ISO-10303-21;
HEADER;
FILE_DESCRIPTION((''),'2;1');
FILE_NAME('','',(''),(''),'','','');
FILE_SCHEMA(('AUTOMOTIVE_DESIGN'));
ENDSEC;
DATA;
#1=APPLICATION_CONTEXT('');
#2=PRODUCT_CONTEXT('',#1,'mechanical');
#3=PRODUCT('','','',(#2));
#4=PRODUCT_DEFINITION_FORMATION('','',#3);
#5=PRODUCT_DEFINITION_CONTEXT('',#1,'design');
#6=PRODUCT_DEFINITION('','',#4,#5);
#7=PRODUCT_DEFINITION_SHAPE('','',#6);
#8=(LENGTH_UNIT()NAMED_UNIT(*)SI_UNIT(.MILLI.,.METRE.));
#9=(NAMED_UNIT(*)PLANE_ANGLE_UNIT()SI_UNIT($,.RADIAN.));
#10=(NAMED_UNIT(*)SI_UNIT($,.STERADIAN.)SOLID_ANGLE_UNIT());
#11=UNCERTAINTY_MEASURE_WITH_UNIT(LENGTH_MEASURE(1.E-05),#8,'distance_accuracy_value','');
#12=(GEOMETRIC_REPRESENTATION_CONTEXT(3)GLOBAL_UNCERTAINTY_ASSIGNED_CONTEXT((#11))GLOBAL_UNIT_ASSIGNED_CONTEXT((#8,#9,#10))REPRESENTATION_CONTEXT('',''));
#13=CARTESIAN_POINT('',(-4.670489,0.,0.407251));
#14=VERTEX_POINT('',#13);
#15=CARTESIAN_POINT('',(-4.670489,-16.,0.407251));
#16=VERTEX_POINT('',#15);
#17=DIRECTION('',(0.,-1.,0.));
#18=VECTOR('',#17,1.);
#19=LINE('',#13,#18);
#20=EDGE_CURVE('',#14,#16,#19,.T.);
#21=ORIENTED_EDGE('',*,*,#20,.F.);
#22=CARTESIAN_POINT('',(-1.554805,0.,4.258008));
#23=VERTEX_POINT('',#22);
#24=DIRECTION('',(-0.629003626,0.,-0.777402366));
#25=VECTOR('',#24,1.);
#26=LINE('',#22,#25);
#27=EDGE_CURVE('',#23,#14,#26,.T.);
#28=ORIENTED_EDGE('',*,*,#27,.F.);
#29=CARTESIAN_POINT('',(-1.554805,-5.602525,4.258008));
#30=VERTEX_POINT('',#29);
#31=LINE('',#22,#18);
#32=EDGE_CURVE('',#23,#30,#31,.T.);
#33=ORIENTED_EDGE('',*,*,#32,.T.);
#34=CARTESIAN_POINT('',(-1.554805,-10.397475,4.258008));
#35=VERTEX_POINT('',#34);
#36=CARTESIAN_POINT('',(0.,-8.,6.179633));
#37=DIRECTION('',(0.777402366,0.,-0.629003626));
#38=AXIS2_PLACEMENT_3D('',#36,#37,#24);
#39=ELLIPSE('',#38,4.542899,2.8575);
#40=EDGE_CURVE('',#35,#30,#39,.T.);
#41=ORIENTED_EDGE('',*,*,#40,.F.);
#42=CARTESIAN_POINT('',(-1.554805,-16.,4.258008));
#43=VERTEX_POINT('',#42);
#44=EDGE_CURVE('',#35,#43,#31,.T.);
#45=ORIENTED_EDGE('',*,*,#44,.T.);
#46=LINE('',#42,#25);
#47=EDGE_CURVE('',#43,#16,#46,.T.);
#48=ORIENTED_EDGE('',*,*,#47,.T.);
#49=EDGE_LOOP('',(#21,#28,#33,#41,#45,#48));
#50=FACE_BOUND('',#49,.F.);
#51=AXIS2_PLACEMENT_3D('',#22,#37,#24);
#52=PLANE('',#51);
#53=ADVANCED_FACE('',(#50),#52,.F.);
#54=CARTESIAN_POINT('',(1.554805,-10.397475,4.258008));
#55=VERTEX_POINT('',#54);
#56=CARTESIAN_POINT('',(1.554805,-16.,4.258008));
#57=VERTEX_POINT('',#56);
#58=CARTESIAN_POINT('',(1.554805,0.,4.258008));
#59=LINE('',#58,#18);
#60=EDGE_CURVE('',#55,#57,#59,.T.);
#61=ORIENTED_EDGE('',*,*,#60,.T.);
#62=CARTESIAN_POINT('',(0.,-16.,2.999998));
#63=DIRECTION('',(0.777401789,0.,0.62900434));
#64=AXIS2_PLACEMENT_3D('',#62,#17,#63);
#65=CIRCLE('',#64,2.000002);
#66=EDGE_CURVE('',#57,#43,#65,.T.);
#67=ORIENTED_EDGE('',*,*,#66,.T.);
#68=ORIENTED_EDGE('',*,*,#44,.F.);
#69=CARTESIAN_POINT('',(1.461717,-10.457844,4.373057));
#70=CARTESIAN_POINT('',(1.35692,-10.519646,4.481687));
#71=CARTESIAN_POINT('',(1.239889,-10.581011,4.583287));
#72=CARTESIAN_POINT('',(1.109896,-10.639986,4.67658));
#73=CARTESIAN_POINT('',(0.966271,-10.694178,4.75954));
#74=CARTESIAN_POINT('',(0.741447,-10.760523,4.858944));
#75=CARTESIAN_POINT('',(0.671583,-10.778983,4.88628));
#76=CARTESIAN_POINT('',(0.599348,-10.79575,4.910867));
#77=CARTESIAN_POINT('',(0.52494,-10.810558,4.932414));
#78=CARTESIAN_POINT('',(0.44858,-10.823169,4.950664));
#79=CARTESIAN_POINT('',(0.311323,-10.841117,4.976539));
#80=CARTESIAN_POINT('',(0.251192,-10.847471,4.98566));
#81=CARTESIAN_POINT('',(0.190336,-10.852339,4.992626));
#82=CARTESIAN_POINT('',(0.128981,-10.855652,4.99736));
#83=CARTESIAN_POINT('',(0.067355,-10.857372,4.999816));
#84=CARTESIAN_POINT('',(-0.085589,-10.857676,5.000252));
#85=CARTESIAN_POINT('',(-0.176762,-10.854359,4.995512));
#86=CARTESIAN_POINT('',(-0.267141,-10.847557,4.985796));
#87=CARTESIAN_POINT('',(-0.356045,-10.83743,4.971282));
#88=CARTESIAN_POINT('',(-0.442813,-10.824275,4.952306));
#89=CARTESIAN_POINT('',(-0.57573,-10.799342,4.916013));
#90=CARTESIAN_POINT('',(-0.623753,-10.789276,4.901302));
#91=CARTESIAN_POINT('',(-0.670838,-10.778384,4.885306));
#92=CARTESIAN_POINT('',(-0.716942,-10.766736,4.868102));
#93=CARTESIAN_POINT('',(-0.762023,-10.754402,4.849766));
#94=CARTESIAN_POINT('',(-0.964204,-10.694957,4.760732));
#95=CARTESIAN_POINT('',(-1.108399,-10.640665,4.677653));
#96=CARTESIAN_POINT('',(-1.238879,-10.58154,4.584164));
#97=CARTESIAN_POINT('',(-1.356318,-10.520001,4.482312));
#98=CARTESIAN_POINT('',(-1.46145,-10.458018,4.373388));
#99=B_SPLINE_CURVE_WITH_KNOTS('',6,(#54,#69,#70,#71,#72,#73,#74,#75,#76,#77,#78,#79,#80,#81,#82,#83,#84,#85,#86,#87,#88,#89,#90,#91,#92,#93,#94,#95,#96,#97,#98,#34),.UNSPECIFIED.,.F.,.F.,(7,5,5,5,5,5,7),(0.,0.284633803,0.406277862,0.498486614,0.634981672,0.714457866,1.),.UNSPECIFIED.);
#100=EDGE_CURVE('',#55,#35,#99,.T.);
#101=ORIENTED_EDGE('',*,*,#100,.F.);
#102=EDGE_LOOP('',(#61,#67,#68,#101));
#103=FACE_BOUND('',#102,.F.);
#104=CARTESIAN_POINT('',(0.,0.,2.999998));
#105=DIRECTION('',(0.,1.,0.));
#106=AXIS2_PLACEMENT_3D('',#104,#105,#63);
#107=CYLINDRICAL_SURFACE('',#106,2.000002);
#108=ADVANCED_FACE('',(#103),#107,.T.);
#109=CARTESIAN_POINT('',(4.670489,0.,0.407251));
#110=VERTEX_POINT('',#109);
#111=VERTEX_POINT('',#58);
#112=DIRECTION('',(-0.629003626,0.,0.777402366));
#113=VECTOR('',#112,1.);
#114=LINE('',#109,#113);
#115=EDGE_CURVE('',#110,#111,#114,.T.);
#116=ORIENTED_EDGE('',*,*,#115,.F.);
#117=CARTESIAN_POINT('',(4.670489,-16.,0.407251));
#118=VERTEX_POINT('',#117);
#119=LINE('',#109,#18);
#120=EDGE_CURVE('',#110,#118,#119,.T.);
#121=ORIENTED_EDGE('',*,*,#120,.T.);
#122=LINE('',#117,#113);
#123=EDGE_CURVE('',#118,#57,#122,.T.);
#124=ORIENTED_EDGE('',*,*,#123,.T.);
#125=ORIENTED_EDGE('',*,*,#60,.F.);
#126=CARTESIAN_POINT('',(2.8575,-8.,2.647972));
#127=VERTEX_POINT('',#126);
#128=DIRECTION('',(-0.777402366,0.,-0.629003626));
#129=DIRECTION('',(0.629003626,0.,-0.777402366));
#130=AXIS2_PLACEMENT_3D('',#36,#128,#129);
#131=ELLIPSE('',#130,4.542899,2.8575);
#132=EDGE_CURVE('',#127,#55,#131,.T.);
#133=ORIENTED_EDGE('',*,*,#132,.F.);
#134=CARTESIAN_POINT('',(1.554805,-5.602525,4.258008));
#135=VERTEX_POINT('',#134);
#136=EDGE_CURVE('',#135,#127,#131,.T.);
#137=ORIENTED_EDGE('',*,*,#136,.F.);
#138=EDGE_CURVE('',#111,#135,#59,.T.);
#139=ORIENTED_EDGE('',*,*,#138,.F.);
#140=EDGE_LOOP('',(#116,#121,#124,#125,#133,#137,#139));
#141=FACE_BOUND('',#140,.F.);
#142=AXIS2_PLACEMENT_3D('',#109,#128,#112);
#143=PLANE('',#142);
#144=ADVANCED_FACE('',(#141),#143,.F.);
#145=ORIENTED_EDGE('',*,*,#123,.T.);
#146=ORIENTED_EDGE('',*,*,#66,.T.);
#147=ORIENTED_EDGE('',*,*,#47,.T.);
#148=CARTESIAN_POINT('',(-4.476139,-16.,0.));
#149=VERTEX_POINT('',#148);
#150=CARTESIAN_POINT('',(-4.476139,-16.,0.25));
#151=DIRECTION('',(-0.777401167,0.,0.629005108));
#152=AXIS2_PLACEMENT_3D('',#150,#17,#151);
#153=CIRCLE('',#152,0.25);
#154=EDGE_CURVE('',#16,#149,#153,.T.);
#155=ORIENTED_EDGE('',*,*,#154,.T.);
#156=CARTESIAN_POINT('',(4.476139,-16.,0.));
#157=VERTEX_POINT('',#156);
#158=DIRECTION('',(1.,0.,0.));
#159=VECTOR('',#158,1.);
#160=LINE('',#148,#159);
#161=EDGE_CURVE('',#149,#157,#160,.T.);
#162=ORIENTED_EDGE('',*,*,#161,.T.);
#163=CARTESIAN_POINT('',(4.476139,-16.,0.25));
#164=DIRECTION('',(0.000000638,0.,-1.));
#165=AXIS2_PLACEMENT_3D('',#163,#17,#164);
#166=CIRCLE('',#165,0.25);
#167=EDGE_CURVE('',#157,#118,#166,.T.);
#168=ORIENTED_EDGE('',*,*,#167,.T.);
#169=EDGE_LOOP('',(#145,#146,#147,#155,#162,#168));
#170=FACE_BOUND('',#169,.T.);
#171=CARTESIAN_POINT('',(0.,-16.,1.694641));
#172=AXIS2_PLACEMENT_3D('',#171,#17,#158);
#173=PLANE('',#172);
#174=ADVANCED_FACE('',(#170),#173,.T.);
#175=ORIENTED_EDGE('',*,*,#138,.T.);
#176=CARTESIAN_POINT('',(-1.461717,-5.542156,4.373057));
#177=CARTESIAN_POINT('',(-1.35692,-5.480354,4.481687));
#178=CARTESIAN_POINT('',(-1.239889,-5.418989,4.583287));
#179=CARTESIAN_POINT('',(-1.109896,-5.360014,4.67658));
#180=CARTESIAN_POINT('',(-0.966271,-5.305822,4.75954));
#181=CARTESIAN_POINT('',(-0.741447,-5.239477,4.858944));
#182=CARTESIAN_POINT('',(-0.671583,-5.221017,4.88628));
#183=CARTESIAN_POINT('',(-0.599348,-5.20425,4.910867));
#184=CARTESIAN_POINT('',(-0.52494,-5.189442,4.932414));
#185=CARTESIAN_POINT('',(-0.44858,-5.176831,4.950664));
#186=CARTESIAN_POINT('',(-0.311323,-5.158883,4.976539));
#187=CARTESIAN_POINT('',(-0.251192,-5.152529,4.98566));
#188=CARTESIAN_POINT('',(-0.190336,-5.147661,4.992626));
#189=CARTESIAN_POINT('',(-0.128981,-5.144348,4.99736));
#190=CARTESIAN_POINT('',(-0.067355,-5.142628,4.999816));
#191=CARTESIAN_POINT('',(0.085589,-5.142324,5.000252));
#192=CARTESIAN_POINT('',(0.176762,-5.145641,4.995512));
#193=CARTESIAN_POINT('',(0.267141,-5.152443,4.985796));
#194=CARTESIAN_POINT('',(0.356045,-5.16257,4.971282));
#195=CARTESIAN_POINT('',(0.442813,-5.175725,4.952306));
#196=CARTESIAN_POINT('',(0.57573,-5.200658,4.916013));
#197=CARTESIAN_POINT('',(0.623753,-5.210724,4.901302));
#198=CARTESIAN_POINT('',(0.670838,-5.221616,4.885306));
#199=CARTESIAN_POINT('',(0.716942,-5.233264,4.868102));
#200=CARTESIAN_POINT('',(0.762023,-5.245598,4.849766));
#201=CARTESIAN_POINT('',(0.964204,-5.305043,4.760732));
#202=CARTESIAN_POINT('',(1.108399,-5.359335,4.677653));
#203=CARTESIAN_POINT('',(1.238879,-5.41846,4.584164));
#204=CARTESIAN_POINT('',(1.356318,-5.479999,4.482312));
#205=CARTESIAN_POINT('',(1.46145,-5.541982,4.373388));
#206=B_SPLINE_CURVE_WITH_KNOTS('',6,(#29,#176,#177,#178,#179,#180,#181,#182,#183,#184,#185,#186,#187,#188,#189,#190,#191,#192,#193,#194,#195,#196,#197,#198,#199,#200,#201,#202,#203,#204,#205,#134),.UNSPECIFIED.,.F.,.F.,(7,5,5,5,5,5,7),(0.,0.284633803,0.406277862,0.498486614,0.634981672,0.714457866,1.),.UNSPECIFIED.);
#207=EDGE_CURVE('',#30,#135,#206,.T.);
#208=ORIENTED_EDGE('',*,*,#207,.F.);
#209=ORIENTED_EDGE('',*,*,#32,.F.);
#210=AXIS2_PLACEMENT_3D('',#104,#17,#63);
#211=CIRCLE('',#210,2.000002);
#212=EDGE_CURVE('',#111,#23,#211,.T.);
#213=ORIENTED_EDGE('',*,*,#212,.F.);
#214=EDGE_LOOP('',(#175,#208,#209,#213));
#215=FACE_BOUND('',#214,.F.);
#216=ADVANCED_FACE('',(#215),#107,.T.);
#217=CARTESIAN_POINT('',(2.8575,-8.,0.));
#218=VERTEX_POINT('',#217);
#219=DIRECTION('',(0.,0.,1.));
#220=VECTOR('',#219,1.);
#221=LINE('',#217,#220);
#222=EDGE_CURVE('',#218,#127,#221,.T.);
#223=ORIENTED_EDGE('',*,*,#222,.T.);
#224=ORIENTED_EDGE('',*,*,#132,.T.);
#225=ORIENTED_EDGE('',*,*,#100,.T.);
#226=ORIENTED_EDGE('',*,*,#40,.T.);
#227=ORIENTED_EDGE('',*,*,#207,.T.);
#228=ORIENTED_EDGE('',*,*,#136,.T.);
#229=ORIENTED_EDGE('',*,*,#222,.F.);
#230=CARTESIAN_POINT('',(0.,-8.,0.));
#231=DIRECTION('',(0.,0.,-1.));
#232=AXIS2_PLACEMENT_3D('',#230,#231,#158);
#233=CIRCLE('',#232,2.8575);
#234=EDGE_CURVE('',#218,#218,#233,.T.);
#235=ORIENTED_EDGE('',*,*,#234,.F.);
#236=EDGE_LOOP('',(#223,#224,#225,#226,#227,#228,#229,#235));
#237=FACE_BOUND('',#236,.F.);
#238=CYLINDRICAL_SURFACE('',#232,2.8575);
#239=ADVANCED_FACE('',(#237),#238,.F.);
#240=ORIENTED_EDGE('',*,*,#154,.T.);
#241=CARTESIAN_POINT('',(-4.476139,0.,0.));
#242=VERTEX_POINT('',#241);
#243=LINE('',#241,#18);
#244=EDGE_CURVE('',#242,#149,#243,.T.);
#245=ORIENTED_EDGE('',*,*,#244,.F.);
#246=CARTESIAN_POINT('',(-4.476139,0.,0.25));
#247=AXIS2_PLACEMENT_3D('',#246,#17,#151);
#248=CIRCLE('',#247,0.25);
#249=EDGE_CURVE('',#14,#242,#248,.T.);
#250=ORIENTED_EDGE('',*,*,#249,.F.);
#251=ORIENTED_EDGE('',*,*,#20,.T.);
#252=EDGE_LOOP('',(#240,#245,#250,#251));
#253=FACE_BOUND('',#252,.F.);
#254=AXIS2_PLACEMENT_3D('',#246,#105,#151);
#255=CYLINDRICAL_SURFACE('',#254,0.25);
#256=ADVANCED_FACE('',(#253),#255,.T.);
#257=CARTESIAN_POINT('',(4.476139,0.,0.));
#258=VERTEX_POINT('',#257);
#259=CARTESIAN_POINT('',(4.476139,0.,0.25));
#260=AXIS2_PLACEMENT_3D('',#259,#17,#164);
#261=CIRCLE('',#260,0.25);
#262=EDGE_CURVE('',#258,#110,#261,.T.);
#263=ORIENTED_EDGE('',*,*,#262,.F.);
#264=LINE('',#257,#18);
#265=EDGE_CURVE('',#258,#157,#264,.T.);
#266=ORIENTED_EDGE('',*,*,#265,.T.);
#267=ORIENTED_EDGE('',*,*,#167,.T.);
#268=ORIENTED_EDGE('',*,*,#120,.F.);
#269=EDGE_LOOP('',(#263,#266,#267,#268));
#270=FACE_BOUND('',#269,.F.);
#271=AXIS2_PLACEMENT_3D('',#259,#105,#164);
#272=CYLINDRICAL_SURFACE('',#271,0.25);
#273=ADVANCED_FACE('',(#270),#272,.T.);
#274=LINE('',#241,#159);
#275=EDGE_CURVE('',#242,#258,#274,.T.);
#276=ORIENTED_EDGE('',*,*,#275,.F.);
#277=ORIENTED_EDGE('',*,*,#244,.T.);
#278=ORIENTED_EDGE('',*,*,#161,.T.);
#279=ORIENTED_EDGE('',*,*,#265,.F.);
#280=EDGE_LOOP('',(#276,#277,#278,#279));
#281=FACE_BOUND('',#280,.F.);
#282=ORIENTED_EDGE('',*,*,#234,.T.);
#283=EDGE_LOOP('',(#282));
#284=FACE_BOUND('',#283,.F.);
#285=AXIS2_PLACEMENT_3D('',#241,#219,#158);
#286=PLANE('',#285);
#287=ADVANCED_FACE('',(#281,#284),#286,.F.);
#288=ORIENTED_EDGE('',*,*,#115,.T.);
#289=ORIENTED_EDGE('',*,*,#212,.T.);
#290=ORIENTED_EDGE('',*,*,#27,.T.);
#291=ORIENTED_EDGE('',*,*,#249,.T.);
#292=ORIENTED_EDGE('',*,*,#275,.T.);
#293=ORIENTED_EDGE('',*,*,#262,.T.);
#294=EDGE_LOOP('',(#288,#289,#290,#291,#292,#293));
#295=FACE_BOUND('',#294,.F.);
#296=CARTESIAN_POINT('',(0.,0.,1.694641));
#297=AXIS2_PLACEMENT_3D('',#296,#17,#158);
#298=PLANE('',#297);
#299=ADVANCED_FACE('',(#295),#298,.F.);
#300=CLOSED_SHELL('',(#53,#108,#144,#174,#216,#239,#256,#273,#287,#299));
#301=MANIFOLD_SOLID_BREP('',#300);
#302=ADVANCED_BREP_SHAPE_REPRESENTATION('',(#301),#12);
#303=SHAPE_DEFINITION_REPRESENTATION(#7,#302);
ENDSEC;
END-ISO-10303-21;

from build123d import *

# Parameters (mm, degrees)
F1_DEPTH = 16
F2_R     = 2.8575
F3_DEPTH = 5.001


with BuildPart() as f1:
    # F0 (on Front) → F1 (new body)
    with BuildSketch(Plane.XZ):
        with BuildLine():
            ThreePointArc((-4.670489, 0.407251), (-4.701763, 0.142326), (-4.476139, 0))
            Line((-4.476139, 0), (4.476139, 0))
            ThreePointArc((4.476139, 0), (4.701763, 0.142326), (4.670489, 0.407251))
            Line((4.670489, 0.407251), (1.554805, 4.258008))
            ThreePointArc((1.554805, 4.258008), (0, 5), (-1.554805, 4.258008))
            Line((-1.554805, 4.258008), (-4.670489, 0.407251))
        make_face()
    extrude(amount=F1_DEPTH)

    # F2 (on face) → F3 (cut, through all)
    with BuildSketch(Plane(origin=(0, 0, 0), x_dir=(1, 0, 0), z_dir=(0, 0, -1))):
        with Locations((0, 8)):
            Circle(F2_R)
    extrude(amount=-F3_DEPTH, mode=Mode.SUBTRACT)


solid = f1.part
